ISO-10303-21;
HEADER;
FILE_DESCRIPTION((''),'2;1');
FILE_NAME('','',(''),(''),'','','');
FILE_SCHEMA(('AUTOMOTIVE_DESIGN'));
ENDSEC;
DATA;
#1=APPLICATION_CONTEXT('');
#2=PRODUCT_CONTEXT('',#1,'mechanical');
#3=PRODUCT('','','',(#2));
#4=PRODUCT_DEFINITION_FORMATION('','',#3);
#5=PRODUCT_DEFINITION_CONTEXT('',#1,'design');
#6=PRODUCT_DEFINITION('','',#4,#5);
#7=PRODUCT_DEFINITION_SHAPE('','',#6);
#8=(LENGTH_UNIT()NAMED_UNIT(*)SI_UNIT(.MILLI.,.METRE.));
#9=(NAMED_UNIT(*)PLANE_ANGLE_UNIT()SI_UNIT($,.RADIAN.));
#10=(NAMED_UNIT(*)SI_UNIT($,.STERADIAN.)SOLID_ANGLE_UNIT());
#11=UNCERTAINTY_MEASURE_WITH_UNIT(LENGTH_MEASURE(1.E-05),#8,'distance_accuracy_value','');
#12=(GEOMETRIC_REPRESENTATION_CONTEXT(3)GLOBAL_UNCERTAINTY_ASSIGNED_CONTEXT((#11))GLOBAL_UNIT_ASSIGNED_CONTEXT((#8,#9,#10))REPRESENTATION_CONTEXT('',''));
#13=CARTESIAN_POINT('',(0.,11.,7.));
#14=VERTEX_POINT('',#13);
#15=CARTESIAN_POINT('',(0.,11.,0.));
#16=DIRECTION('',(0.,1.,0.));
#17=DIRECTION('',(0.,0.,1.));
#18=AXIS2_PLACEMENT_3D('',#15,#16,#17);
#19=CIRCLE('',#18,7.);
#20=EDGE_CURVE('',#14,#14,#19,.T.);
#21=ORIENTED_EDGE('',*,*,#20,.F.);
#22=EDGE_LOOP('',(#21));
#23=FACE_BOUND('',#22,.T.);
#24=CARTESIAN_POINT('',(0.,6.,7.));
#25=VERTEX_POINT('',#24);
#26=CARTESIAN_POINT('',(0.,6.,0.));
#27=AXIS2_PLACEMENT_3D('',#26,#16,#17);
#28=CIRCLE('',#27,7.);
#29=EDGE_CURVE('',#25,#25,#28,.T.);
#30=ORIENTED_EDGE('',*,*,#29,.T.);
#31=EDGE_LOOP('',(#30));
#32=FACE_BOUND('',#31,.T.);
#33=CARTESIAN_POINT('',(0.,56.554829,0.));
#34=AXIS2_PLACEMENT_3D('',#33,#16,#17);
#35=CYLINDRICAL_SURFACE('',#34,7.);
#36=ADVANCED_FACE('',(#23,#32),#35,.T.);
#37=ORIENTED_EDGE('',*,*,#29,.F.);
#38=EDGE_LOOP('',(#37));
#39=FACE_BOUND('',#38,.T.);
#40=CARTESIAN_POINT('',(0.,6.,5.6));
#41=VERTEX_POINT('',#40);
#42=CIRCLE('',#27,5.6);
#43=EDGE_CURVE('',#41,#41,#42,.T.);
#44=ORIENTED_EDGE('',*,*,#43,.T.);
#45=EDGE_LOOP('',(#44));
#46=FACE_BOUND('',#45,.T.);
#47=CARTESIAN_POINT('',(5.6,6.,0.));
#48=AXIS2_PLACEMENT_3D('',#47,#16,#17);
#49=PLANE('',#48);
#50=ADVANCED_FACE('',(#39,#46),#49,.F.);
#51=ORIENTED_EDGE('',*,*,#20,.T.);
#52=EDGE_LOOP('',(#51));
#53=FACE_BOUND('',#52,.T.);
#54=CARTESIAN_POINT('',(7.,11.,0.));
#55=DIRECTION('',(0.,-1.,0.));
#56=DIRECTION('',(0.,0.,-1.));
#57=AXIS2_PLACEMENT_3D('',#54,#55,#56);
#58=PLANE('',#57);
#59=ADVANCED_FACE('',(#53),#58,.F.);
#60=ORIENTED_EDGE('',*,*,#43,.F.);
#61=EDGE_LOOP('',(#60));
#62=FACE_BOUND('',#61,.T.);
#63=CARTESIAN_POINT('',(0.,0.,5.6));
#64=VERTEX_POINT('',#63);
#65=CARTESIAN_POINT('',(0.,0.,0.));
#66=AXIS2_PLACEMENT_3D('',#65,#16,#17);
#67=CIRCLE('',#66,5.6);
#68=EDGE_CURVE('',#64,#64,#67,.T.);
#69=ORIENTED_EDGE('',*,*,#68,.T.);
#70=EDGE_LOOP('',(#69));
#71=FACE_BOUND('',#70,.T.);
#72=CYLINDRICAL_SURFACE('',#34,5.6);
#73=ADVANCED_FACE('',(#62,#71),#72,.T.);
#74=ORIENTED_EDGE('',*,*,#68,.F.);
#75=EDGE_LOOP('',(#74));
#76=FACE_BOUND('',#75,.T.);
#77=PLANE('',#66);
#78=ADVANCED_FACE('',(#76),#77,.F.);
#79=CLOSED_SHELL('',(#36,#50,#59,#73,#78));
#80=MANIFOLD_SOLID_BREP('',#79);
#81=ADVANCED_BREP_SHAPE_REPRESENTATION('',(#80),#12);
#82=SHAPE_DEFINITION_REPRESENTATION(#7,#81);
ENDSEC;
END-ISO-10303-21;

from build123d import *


with BuildPart() as part:
    # Sketch2 → Revolve1 (revolve)
    with BuildSketch(Plane.XY, mode=Mode.PRIVATE) as revolve1_sk:
        Polygon((0, 0), (5.6, 0), (5.6, 6), (7, 6), (7, 11), (0, 11), align=None)
    revolve(revolve1_sk.sketch.rotate(Axis((0, 56.554829429, 0), (0, -1, 0)), 90), axis=Axis((0, 56.554829429, 0), (0, -1, 0)))


solid = part.part
